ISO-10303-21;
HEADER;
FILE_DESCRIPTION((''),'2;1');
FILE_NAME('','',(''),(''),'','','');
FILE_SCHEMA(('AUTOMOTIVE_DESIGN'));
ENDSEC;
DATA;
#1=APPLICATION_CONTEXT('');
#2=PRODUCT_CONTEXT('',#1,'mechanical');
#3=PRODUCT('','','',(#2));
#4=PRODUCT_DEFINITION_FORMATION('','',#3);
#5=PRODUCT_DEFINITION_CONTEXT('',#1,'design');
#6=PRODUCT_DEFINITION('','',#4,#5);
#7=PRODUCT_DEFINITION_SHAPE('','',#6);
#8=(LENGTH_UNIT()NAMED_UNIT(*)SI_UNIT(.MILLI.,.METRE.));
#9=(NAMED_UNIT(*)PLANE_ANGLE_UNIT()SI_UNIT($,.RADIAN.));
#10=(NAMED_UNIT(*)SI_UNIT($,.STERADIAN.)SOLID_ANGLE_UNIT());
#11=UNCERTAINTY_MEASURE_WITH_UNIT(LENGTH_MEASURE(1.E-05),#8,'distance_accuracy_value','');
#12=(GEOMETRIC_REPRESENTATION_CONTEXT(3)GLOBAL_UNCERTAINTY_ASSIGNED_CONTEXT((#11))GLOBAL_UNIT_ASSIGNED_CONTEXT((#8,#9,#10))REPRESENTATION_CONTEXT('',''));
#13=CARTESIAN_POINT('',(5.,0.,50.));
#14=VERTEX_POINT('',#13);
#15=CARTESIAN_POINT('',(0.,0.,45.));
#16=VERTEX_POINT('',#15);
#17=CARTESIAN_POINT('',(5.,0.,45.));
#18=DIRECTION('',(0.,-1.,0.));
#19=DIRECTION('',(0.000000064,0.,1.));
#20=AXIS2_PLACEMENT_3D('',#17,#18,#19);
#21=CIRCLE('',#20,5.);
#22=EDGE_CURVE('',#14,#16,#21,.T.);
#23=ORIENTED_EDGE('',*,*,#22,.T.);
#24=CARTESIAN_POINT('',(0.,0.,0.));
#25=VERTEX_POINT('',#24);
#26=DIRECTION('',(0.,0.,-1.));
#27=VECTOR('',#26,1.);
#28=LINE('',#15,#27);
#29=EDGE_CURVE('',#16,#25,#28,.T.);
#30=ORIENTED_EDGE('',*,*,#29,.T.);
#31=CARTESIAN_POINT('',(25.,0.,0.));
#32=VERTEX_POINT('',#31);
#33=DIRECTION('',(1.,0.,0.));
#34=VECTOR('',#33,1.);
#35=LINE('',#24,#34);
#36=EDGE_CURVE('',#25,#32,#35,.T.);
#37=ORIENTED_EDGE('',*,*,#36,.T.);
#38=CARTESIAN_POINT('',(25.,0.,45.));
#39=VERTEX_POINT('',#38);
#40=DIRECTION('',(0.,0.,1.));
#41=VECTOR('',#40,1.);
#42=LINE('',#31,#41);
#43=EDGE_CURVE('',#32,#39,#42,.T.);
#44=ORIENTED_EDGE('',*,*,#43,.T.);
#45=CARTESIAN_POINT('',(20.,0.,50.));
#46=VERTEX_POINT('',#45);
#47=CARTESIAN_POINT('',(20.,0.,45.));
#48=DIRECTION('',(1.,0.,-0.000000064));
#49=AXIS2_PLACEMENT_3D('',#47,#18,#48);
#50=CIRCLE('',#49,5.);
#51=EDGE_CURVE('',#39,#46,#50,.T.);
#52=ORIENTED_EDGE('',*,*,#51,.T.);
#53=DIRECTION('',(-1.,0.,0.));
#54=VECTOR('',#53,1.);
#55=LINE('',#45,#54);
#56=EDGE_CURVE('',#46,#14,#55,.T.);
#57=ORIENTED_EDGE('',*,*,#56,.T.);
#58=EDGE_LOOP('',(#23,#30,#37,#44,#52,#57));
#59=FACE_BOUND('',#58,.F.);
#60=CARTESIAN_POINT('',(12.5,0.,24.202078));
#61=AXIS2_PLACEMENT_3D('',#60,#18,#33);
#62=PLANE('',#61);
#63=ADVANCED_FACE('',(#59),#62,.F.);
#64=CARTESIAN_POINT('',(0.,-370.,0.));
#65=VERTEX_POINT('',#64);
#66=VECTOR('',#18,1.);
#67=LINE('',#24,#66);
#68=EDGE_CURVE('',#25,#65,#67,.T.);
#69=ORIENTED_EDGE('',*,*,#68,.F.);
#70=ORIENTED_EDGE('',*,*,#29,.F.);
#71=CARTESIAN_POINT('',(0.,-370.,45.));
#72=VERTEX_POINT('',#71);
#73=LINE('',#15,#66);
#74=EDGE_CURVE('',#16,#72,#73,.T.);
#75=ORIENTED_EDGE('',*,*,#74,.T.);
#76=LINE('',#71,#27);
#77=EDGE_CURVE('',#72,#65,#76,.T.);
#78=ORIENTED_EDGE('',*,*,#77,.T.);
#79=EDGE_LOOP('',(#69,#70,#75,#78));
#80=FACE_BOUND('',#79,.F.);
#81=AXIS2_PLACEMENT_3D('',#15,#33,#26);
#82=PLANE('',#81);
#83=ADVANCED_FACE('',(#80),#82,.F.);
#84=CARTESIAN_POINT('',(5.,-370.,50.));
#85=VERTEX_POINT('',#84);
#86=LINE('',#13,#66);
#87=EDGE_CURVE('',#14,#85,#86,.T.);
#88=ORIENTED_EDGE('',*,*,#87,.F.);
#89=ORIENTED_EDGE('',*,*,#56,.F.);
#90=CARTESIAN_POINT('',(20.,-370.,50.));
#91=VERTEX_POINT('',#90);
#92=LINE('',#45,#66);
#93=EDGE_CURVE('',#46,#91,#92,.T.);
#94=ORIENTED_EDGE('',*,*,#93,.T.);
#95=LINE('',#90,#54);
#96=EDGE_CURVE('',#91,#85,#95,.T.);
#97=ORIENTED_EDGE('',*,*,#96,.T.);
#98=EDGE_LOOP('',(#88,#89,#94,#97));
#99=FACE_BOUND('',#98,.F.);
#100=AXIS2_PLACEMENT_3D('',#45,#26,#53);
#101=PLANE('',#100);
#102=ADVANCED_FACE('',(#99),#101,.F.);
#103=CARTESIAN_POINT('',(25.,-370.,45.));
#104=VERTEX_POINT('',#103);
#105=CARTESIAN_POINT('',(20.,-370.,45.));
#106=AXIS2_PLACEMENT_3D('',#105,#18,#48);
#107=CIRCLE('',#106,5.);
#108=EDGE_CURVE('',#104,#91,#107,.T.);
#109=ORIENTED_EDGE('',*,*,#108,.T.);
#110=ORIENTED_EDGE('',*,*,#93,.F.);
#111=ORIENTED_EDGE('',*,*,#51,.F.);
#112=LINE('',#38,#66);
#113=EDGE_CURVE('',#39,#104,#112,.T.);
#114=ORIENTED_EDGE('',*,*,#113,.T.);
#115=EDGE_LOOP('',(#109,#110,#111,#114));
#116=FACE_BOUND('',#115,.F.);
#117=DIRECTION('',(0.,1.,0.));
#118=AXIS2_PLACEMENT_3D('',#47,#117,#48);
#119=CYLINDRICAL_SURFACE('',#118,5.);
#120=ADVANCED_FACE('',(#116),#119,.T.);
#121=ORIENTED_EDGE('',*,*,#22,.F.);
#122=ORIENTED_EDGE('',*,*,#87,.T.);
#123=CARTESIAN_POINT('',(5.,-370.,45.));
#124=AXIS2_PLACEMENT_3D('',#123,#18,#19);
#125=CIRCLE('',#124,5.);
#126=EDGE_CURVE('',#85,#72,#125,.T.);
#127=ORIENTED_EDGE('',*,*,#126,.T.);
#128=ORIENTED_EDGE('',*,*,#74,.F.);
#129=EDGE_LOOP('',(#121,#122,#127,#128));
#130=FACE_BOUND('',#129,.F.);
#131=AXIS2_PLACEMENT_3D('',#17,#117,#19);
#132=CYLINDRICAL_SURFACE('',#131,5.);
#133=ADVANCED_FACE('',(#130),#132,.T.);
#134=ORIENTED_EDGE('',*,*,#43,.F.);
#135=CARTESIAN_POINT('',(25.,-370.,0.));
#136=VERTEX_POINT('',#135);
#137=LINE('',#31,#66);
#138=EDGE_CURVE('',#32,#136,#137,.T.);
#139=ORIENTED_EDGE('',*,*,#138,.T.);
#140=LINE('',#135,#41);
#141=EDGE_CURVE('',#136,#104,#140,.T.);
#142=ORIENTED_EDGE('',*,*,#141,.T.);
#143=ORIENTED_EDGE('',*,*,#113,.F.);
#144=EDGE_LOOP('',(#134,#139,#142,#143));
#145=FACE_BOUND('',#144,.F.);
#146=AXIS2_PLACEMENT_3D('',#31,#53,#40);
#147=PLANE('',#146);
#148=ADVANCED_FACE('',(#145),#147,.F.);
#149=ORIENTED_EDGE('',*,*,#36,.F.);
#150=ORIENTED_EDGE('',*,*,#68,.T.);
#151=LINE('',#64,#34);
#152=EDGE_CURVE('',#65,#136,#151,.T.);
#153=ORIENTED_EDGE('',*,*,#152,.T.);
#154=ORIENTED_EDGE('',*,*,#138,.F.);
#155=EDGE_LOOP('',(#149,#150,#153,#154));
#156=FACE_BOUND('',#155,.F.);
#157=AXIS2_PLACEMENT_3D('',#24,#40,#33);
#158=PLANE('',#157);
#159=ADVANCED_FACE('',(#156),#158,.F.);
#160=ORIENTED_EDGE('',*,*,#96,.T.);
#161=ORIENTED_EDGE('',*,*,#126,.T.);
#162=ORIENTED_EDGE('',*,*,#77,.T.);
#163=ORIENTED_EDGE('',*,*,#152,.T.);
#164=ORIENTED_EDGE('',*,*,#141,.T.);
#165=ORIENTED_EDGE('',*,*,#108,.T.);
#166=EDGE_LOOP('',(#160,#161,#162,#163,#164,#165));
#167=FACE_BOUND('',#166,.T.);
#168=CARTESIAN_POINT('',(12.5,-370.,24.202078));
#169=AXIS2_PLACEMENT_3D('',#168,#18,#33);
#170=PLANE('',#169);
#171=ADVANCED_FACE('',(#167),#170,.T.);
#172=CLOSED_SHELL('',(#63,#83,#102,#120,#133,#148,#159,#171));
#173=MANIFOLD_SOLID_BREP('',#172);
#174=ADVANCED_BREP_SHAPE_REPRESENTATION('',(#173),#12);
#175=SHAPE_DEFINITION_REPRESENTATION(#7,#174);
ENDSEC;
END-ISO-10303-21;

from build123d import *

# Parameters (mm, degrees)
F1_DEPTH = 370


with BuildPart() as f1:
    # F0 (on Front) → F1 (new body)
    with BuildSketch(Plane.XZ):
        with BuildLine():
            Line((0, 45), (0, 0))
            Line((0, 0), (25, 0))
            Line((25, 0), (25, 45))
            ThreePointArc((25, 45), (23.535534, 48.535534), (20, 50))
            Line((20, 50), (5, 50))
            ThreePointArc((5, 50), (1.464466, 48.535534), (0, 45))
        make_face()
    extrude(amount=F1_DEPTH)


solid = f1.part
